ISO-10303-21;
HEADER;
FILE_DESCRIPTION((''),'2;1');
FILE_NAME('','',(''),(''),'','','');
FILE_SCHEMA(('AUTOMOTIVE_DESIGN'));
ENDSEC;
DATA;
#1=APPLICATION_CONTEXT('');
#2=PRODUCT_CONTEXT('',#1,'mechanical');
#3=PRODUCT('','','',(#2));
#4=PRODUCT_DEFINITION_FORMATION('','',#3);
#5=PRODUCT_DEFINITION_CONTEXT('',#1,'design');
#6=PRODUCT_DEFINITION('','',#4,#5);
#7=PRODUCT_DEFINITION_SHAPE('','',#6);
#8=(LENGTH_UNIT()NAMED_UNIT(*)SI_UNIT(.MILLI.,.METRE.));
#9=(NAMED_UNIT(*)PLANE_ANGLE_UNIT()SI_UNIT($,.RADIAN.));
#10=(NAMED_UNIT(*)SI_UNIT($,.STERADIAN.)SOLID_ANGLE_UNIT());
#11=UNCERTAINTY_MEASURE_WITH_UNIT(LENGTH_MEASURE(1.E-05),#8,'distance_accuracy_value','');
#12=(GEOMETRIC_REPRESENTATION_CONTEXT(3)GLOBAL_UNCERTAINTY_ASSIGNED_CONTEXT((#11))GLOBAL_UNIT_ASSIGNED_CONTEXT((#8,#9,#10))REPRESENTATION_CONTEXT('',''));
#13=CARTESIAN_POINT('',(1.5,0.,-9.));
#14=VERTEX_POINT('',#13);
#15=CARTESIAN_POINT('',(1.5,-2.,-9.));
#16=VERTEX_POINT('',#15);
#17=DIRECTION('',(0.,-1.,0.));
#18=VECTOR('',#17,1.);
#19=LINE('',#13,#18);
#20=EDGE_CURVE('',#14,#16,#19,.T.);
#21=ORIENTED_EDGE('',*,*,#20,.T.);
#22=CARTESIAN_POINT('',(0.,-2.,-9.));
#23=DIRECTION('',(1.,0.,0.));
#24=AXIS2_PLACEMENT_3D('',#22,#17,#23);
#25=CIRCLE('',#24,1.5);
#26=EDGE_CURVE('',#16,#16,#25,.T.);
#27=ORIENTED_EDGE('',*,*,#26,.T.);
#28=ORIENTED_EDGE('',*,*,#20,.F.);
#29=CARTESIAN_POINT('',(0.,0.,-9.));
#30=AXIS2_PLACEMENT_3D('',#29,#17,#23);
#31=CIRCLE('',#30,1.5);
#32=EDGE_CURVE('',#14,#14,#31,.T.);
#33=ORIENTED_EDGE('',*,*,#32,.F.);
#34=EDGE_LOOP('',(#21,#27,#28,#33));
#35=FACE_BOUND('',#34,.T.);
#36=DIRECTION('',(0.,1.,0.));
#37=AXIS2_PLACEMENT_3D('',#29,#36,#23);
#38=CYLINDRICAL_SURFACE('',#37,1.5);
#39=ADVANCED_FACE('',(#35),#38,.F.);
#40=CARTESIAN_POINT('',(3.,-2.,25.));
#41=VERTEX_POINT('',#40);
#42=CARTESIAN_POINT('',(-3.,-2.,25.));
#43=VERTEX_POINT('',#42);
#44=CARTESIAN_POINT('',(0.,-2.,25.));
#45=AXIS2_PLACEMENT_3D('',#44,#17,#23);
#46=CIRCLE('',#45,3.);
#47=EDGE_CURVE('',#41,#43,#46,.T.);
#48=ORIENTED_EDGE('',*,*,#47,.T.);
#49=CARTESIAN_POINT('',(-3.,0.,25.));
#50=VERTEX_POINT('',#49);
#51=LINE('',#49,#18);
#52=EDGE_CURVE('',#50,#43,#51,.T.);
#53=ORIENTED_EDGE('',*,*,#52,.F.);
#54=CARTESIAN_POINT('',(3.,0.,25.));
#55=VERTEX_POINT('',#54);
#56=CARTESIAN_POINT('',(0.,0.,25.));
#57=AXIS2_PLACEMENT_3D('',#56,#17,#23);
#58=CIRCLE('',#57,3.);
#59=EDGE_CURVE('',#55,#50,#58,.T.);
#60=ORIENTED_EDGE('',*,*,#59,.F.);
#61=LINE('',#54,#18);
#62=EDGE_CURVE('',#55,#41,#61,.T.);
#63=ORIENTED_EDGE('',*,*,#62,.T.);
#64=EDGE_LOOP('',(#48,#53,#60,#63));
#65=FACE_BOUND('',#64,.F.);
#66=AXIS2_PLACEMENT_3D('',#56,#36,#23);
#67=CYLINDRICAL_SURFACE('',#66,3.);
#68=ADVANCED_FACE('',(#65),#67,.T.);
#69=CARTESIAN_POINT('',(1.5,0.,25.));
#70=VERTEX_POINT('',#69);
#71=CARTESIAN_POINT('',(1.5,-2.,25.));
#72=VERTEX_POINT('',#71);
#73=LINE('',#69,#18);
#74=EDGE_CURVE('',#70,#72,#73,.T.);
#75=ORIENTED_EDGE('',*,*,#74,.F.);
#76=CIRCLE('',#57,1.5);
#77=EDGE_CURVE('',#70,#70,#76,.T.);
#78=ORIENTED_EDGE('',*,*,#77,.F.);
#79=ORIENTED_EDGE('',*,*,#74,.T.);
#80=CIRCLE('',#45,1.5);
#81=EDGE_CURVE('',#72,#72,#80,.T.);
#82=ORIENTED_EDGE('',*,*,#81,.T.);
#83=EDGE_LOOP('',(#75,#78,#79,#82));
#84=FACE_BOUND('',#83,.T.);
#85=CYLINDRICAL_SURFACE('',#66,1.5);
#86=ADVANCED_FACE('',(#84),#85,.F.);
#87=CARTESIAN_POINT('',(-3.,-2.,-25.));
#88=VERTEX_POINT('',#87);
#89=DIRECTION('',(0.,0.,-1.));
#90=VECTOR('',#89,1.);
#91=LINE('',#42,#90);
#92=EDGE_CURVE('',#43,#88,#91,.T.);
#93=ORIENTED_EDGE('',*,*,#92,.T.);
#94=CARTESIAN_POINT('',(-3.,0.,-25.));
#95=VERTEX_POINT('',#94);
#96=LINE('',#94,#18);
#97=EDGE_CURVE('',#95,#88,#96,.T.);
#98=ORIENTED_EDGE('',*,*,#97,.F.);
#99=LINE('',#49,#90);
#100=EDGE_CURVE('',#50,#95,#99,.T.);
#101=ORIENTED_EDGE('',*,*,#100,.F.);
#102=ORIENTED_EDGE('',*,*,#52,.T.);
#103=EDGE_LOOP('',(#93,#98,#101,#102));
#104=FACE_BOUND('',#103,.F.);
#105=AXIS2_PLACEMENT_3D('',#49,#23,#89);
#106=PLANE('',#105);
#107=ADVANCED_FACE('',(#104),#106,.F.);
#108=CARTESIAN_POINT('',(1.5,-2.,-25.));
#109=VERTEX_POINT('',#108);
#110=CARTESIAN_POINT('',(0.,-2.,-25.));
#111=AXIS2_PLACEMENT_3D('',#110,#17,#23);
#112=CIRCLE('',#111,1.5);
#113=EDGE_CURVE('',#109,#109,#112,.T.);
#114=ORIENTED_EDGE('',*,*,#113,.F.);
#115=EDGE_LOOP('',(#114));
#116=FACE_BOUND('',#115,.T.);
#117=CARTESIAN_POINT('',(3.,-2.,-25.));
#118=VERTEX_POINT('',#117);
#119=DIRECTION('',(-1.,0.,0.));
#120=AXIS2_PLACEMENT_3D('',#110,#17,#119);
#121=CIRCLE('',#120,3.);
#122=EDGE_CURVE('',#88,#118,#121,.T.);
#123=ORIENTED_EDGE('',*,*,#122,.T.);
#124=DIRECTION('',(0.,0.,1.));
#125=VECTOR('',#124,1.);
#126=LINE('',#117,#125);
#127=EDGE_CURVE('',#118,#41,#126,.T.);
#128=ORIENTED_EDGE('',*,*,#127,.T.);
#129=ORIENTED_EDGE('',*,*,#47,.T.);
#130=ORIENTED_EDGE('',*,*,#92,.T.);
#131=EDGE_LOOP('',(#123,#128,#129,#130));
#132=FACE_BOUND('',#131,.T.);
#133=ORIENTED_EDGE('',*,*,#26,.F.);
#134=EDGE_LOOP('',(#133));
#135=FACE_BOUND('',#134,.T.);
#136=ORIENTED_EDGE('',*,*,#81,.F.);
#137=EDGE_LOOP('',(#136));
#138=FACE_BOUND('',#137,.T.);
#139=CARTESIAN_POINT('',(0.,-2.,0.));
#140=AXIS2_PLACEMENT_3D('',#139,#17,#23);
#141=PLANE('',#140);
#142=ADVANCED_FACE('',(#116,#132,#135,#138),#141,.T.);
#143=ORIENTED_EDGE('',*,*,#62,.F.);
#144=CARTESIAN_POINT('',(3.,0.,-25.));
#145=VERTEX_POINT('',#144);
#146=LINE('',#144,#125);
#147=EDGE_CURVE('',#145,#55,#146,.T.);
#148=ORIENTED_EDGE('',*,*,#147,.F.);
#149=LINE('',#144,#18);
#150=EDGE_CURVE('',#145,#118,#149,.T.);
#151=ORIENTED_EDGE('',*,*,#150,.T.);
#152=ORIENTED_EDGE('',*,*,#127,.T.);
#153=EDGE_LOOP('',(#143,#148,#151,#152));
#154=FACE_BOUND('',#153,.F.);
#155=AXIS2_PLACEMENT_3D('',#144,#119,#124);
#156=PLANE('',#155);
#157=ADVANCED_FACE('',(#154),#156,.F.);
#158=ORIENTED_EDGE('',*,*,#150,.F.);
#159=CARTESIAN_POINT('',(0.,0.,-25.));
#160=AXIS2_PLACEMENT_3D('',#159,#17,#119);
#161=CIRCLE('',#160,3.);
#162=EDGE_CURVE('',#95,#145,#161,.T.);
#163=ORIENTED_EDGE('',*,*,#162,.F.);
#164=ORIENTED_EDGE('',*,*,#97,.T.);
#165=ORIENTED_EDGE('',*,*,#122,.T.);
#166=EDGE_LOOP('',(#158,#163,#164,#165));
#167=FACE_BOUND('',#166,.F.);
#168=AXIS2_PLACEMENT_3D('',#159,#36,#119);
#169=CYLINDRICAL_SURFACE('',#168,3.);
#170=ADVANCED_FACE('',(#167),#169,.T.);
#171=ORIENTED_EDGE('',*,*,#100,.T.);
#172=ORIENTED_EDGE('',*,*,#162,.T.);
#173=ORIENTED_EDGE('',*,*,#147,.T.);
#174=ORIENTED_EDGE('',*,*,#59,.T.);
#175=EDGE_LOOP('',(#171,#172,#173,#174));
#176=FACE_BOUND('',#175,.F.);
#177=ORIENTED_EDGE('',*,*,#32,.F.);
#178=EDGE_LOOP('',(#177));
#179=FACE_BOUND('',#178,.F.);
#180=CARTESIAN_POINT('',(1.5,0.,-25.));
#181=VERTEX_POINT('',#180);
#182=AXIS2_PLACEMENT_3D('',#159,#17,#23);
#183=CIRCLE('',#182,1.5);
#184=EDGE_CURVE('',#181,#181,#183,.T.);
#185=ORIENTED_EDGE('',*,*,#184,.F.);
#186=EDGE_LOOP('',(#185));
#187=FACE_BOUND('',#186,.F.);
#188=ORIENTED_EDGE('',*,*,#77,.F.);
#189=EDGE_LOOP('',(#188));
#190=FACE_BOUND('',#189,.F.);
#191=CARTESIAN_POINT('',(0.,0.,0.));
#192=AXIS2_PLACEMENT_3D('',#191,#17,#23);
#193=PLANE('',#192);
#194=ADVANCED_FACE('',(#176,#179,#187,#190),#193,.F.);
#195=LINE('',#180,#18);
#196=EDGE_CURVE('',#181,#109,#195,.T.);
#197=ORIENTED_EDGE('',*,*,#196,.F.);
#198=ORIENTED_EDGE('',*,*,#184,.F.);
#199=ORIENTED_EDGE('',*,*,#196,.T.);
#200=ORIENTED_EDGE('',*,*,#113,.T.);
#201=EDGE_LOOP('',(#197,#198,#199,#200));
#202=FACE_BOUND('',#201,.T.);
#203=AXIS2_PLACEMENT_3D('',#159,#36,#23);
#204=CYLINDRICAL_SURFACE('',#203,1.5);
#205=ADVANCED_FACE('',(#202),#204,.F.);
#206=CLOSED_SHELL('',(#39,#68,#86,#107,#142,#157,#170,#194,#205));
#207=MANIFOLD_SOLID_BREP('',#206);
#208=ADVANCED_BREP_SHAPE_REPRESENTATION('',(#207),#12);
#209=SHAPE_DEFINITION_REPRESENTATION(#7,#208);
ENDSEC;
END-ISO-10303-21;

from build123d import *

# Parameters (mm, degrees)
F0_R     = 1.5
F1_DEPTH = 2


with BuildPart() as f1:
    # F0 (on Front) → F1 (new body)
    with BuildSketch(Plane.XZ):
        with BuildLine():
            ThreePointArc((-3, -25), (0, -28), (3, -25))
            Line((3, -25), (3, 25))
            ThreePointArc((3, 25), (0, 28), (-3, 25))
            Line((-3, 25), (-3, -25))
        make_face()
        with Locations((0, -25)):
            Circle(F0_R, mode=Mode.SUBTRACT)
        with Locations((0, -9)):
            Circle(F0_R, mode=Mode.SUBTRACT)
        with Locations((0, 25)):
            Circle(F0_R, mode=Mode.SUBTRACT)
    extrude(amount=F1_DEPTH)


solid = f1.part
